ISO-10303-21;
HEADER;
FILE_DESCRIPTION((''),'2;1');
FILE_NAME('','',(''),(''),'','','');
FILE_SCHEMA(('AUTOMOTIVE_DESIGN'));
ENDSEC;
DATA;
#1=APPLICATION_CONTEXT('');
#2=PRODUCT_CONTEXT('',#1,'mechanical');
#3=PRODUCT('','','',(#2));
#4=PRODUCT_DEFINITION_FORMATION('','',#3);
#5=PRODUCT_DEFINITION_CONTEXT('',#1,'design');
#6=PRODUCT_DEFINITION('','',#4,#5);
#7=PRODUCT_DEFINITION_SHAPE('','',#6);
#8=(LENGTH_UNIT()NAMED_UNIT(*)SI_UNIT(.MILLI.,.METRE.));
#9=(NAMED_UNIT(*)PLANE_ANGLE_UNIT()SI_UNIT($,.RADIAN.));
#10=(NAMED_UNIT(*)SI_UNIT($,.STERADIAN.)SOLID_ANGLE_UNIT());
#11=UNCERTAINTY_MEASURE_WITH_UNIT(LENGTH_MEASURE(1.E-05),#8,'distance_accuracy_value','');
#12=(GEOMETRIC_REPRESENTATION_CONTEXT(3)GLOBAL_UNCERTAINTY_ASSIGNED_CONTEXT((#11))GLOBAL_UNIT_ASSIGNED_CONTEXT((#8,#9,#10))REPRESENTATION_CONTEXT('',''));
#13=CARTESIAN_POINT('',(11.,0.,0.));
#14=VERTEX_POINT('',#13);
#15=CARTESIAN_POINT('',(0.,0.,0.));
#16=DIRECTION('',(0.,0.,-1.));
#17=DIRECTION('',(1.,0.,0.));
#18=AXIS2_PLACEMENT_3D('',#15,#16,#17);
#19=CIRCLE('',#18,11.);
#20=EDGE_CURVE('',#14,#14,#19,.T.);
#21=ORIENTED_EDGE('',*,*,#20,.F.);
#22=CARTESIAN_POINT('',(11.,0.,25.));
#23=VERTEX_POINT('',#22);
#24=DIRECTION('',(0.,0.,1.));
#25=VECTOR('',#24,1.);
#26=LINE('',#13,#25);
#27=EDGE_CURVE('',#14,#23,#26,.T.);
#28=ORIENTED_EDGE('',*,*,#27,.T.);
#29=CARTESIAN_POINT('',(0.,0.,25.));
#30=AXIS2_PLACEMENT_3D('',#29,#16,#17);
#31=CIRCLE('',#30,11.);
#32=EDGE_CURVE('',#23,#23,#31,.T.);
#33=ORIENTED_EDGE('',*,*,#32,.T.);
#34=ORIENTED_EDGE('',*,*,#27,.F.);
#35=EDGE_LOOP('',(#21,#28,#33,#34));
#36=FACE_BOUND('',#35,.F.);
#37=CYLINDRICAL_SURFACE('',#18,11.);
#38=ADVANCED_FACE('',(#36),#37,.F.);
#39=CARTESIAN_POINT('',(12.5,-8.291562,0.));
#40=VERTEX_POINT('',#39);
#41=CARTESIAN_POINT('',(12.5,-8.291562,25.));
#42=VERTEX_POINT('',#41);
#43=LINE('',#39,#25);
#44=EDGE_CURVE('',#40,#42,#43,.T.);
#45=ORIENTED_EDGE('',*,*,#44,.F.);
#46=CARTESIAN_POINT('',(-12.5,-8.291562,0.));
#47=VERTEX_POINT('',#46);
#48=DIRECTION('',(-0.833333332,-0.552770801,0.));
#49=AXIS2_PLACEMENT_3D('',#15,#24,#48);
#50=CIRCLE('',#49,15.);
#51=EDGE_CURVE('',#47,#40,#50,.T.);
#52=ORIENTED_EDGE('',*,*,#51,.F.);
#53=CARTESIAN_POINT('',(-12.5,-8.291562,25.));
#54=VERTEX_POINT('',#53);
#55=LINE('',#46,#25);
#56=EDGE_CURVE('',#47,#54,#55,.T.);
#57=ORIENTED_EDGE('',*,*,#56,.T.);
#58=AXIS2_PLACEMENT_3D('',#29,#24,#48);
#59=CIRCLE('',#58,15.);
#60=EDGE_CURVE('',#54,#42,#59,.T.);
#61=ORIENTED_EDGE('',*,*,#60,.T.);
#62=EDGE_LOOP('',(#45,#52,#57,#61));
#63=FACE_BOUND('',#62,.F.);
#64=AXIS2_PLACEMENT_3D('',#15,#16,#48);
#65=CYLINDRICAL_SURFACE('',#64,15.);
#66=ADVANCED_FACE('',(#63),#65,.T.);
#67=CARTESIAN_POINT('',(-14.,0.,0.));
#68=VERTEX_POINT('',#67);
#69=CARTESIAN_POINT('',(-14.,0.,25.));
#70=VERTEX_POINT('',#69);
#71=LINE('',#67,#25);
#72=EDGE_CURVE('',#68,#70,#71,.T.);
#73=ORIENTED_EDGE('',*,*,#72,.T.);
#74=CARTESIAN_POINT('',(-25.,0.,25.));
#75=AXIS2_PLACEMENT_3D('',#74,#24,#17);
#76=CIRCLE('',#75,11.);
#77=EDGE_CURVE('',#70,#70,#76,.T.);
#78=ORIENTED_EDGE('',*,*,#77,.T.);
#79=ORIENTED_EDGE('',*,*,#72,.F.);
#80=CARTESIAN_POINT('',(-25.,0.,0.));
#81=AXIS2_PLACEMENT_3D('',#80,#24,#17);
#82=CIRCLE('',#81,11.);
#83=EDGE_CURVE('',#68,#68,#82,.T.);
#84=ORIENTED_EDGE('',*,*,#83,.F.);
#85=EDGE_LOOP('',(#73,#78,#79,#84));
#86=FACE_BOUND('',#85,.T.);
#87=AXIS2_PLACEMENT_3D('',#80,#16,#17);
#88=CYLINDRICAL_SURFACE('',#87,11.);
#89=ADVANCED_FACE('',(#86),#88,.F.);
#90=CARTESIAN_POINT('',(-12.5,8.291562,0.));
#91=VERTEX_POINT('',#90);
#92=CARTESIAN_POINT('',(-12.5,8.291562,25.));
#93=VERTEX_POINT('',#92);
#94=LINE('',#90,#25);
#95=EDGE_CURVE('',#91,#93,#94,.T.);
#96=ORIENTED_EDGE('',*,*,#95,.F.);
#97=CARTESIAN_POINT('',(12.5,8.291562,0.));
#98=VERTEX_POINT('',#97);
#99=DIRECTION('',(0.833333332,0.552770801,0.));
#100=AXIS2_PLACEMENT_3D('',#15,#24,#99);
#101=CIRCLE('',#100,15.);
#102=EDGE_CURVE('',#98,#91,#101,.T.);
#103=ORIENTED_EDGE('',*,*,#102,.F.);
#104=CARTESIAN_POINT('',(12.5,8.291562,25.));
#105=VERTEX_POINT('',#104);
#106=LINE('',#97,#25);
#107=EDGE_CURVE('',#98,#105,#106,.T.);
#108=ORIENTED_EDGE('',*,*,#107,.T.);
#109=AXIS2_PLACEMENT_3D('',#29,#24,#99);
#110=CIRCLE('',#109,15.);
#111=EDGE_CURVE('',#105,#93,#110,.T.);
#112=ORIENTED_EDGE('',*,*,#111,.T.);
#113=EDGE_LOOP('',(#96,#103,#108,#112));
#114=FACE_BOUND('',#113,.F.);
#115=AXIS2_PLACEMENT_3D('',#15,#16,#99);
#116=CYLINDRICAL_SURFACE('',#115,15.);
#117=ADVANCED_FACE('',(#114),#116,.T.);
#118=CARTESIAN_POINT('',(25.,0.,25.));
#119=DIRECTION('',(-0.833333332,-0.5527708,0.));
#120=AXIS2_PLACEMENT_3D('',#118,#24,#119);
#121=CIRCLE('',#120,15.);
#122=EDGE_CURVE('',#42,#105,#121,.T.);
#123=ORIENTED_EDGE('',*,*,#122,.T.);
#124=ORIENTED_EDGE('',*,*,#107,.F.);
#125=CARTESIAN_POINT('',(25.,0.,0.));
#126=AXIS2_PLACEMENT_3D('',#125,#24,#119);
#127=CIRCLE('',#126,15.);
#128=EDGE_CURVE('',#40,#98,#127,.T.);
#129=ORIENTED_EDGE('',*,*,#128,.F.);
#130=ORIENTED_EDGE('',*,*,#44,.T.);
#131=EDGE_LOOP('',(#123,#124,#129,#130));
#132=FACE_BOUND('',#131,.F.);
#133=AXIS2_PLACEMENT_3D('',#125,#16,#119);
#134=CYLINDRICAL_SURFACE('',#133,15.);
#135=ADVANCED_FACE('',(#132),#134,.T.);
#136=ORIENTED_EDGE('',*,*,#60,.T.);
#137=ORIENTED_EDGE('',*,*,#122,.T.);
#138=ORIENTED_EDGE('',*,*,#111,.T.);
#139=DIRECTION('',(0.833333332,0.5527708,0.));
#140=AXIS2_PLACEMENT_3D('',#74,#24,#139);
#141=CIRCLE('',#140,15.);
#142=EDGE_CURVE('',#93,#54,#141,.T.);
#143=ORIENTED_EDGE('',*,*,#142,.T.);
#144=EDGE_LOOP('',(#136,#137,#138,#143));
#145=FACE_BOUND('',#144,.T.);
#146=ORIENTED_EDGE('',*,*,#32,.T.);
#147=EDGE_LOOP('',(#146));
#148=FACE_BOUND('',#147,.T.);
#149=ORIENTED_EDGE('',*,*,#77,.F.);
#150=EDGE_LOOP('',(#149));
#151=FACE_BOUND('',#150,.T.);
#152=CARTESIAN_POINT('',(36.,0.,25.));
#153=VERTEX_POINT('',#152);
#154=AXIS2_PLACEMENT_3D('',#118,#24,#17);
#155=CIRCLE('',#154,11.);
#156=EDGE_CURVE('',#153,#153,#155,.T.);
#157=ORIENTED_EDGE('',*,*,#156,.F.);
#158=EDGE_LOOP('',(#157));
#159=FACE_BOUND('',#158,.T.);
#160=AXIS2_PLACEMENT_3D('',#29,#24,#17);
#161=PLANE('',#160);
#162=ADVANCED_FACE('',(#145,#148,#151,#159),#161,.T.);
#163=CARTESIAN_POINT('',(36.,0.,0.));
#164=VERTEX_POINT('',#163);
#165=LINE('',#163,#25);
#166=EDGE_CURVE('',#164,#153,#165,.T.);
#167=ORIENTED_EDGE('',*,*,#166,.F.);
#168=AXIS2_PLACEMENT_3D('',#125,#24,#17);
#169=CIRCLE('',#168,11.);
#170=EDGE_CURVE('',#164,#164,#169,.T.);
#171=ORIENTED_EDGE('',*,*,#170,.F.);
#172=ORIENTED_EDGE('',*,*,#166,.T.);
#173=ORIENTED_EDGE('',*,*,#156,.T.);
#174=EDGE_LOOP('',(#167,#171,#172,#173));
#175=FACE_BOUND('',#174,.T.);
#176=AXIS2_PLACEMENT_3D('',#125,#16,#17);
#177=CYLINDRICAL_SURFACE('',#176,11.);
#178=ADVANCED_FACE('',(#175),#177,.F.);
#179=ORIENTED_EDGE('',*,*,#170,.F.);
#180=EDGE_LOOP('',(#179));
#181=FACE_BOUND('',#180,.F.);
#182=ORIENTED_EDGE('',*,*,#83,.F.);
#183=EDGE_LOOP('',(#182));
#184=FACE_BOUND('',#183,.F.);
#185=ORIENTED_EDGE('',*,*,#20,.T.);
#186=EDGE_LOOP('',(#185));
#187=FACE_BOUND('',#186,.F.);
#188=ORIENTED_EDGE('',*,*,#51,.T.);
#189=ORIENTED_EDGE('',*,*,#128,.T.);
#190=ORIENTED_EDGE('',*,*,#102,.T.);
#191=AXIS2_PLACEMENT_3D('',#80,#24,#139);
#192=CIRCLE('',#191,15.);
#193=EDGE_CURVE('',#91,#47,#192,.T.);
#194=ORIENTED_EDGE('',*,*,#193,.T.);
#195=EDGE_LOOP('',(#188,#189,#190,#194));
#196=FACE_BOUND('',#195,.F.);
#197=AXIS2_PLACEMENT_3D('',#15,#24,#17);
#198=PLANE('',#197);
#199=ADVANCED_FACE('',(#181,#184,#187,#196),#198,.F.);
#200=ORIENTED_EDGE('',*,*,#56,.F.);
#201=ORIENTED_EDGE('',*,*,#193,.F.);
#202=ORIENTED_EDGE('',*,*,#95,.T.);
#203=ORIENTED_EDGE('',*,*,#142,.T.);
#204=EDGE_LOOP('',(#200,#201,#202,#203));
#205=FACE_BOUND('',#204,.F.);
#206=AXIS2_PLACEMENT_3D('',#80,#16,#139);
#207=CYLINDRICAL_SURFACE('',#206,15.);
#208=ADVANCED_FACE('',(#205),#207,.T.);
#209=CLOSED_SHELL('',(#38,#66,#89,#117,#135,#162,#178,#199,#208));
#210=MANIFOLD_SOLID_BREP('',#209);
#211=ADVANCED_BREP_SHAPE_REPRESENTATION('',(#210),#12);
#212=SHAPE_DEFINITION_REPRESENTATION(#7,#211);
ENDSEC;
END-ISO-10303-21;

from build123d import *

# Parameters (mm, degrees)
F0_R     = 11
F1_DEPTH = 25


with BuildPart() as f1:
    # F0 (on Top) → F1 (new body)
    with BuildSketch(Plane.XY):
        with BuildLine():
            ThreePointArc((-12.5, 8.291562), (-40, 0), (-12.5, -8.291562))
            ThreePointArc((-12.5, -8.291562), (0, -15), (12.5, -8.291562))
            ThreePointArc((12.5, -8.291562), (40, 0), (12.5, 8.291562))
            ThreePointArc((12.5, 8.291562), (0, 15), (-12.5, 8.291562))
        make_face()
        with Locations((-25, 0)):
            Circle(F0_R, mode=Mode.SUBTRACT)
        with BuildLine():
            ThreePointArc((-11, 0), (0, 11), (11, 0))
            ThreePointArc((11, 0), (0, -11), (-11, 0))
        make_face(mode=Mode.SUBTRACT)
        with Locations((25, 0)):
            Circle(F0_R, mode=Mode.SUBTRACT)
    extrude(amount=F1_DEPTH)


solid = f1.part
